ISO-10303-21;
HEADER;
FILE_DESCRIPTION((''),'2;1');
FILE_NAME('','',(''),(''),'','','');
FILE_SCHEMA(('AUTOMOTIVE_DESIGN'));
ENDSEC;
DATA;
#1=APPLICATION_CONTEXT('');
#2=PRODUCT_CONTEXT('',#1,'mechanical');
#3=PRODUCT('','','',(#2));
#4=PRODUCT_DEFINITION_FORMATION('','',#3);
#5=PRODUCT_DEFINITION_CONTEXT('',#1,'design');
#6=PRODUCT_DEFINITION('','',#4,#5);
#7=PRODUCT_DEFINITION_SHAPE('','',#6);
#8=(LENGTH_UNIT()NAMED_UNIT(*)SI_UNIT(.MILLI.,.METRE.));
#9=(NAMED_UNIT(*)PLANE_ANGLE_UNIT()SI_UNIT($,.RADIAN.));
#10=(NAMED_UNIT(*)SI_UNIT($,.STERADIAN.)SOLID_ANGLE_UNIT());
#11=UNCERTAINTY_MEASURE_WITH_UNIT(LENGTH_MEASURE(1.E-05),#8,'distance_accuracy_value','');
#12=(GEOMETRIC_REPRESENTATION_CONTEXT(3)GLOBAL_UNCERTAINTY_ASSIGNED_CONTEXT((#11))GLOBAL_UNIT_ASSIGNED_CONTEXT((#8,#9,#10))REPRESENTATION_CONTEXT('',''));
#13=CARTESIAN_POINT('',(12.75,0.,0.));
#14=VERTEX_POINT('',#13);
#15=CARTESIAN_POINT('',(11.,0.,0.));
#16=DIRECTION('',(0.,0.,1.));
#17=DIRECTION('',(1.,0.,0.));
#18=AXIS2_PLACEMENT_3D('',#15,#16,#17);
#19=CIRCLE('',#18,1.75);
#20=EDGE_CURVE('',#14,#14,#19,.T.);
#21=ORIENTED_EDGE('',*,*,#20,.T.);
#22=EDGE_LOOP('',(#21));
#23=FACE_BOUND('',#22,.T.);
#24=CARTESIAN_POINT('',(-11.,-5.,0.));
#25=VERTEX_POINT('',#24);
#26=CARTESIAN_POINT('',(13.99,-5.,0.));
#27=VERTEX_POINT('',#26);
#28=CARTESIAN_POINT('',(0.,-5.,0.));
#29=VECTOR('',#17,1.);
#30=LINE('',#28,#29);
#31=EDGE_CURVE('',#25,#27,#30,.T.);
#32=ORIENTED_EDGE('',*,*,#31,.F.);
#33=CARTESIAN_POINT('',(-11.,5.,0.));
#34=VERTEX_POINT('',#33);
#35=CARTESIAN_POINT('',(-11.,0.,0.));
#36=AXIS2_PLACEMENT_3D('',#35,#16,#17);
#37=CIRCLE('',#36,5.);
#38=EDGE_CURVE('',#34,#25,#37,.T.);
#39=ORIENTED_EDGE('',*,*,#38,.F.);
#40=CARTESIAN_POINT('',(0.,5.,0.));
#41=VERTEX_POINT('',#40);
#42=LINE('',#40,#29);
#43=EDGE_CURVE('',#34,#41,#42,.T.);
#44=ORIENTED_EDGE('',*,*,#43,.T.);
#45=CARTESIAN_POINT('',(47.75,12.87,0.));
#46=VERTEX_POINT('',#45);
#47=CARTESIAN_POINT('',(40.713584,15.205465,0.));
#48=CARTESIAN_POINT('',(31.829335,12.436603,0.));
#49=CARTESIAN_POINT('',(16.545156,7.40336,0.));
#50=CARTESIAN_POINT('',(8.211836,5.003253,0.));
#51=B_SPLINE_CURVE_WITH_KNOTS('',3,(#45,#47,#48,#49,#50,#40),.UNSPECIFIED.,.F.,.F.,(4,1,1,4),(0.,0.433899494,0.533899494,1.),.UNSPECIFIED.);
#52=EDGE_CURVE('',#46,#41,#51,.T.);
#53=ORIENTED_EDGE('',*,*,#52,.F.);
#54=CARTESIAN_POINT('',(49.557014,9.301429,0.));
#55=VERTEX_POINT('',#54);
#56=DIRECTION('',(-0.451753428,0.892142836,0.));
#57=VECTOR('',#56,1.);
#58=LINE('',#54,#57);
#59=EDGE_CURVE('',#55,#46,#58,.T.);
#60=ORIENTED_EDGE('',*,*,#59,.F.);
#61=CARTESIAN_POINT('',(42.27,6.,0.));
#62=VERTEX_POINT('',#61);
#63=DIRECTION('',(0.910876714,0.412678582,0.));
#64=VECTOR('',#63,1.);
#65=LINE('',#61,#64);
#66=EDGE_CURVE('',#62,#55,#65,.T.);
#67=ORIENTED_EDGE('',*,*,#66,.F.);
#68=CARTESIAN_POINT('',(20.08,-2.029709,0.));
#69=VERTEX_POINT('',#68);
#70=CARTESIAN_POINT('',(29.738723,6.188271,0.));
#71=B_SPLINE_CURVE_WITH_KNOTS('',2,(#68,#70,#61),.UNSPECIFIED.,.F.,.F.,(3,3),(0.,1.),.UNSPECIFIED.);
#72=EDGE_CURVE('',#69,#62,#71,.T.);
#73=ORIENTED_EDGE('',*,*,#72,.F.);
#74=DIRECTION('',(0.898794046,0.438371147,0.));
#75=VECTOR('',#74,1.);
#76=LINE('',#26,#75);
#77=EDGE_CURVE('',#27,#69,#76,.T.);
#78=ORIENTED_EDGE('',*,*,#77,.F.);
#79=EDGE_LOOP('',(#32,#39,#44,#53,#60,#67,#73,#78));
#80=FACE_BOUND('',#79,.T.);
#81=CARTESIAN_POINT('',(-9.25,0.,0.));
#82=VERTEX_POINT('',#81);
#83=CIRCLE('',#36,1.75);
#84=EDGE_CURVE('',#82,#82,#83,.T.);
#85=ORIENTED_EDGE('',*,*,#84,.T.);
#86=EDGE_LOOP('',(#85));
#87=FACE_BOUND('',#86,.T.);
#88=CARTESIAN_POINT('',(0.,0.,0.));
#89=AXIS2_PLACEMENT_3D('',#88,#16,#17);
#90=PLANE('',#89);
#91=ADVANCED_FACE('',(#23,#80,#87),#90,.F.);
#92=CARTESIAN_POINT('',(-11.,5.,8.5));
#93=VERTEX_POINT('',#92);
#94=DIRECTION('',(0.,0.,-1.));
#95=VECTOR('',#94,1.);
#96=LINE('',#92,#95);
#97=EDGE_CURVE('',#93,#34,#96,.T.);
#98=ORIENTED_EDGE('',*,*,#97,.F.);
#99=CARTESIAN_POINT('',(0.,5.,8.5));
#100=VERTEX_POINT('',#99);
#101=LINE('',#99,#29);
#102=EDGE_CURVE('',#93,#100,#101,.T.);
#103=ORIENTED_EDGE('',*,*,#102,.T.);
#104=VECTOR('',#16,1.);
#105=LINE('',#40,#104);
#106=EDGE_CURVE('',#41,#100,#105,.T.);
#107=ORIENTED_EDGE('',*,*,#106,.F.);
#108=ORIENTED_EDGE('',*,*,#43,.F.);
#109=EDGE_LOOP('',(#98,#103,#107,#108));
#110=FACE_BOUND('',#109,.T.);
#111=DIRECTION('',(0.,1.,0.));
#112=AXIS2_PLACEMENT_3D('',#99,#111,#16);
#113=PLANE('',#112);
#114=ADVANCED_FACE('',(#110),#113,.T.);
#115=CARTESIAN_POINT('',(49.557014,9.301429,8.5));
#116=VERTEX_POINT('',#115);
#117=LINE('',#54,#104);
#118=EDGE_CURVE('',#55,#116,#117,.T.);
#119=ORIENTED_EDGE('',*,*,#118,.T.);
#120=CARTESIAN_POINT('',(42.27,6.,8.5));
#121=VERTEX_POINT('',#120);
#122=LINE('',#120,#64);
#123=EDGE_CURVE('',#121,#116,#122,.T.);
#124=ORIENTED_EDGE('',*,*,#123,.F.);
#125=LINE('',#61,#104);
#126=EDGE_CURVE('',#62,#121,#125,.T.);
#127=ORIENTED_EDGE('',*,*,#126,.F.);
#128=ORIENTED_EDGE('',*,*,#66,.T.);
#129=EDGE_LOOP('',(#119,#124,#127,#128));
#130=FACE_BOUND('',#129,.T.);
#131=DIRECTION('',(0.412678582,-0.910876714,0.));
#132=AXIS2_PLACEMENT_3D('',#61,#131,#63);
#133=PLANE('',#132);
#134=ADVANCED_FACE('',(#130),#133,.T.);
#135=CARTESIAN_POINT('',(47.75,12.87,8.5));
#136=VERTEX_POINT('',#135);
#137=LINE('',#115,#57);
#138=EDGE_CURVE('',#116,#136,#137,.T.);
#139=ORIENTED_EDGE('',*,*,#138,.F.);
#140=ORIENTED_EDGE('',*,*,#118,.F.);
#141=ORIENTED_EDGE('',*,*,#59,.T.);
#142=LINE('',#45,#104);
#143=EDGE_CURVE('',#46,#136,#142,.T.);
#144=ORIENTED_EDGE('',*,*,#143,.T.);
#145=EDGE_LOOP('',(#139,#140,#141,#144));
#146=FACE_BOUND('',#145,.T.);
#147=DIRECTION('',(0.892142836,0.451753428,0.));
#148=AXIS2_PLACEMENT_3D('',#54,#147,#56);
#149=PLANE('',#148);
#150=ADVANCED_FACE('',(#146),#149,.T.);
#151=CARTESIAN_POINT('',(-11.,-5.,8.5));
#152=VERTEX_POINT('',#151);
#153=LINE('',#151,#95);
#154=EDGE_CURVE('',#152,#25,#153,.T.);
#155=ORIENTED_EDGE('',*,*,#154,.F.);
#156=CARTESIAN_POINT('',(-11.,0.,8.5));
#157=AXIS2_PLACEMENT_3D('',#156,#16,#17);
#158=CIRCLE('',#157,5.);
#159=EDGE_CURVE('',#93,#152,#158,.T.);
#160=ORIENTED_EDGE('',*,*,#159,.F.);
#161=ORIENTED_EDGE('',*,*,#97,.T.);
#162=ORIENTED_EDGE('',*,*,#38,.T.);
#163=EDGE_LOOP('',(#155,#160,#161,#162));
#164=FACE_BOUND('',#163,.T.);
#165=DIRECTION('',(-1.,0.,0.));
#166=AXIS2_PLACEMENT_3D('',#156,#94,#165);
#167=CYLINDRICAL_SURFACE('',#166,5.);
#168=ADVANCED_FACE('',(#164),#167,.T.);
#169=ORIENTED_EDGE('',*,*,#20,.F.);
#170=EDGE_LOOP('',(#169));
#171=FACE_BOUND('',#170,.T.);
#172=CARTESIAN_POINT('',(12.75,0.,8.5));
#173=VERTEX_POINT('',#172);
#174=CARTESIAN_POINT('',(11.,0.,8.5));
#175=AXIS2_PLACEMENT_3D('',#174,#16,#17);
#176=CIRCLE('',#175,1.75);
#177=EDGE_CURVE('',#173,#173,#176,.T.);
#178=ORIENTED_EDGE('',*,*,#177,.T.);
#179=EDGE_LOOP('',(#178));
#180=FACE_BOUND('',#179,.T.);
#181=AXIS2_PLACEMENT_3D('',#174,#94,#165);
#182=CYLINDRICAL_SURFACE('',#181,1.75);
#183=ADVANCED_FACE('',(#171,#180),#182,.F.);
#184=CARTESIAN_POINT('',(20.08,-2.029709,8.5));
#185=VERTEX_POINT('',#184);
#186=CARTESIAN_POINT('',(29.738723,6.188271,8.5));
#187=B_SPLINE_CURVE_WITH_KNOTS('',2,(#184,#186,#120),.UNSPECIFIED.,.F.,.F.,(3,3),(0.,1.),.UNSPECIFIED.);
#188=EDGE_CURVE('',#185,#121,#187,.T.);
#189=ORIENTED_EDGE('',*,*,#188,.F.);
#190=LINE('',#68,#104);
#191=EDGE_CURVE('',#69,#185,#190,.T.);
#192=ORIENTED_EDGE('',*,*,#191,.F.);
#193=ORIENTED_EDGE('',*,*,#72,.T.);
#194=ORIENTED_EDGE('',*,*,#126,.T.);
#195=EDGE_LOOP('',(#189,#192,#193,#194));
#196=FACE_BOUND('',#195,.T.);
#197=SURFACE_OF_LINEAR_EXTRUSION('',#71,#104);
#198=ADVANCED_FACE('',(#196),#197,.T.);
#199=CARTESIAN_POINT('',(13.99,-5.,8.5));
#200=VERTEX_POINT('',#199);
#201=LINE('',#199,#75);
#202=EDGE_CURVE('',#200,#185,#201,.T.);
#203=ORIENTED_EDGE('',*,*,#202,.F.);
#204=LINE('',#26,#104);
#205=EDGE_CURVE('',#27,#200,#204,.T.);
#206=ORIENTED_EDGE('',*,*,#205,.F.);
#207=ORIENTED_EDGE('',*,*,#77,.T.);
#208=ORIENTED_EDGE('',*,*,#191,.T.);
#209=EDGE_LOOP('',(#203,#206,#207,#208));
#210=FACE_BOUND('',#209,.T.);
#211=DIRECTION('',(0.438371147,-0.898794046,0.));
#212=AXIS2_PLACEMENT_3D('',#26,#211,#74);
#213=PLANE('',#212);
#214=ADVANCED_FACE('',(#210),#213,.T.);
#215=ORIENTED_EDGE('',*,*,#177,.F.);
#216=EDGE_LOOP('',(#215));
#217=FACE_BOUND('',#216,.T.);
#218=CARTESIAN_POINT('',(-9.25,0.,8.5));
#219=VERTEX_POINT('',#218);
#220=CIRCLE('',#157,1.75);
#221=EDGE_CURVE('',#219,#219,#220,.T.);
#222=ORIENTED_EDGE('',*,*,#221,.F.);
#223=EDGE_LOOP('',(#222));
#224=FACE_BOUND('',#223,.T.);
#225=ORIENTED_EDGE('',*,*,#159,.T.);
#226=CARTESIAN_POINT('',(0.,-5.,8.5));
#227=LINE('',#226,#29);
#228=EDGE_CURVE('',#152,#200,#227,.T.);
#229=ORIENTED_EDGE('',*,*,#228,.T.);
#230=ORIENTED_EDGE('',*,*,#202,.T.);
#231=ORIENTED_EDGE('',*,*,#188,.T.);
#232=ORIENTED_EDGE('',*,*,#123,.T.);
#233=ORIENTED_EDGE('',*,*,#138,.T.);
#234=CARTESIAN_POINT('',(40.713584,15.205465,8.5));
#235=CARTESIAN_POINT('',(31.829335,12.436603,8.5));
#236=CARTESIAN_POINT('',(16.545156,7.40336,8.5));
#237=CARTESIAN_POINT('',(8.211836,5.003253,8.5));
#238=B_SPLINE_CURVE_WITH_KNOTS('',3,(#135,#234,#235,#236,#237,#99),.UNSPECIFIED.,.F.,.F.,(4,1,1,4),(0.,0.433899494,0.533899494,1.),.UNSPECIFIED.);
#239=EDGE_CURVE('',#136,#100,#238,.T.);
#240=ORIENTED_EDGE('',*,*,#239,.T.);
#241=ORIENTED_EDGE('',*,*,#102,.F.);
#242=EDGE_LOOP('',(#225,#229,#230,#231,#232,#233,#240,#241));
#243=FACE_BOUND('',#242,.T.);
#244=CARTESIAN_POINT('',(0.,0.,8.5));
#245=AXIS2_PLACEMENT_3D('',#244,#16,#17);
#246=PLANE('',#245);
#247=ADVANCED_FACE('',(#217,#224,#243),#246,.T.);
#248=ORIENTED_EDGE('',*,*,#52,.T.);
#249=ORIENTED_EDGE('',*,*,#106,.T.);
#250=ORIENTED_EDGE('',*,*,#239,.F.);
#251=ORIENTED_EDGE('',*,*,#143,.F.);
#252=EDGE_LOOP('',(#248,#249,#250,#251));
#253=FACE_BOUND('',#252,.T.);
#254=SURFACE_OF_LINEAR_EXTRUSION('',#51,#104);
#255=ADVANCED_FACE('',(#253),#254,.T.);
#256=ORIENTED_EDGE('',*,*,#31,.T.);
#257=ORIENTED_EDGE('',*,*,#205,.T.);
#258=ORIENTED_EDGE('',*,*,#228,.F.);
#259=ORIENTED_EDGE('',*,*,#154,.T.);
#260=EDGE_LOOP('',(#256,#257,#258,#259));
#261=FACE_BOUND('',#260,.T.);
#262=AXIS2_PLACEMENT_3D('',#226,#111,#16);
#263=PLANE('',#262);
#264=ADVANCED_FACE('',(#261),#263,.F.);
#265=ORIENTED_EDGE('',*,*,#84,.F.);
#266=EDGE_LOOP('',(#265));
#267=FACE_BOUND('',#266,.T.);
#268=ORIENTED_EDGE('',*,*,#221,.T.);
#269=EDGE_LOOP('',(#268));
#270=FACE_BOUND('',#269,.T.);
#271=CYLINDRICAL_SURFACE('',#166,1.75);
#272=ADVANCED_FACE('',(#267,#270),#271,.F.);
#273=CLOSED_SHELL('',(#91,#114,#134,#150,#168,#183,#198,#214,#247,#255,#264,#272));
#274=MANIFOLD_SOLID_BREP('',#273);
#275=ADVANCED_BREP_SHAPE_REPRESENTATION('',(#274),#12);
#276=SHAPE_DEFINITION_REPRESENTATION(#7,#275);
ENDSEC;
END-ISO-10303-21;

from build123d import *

# Parameters (mm, degrees)
SKETCH1_R           = 5
SKETCH1_R_2         = 1.75
BOSS_EXTRUDE1_DEPTH = 8.5
BOSS_EXTRUDE2_START = -8.5
BOSS_EXTRUDE2_DEPTH = 8.5


with BuildPart() as part:
    # Sketch1 → Boss-Extrude1 (new body)
    # profile 1 of 3: a face of its own
    with BuildSketch(Plane.XY):
        with Locations((-11, 0)):
            Circle(SKETCH1_R)
        with Locations((-11, 0)):
            Circle(SKETCH1_R_2, mode=Mode.SUBTRACT)
    # profile 2 of 3: a face of its own
    with BuildSketch(Plane.XY):
        with BuildLine():
            Line((11, 5), (-11, 5))
            ThreePointArc((-11, 5), (-7.464466094, 3.535533906), (-6, 0))
            ThreePointArc((-6, 0), (-7.464466094, -3.535533906), (-11, -5))
            Line((-11, -5), (11, -5))
            ThreePointArc((11, -5), (6, 0), (11, 5))
        make_face()
    # profile 3 of 3: a face of its own
    with BuildSketch(Plane.XY):
        with Locations((11, 0)):
            Circle(SKETCH1_R)
        with Locations((11, 0)):
            Circle(SKETCH1_R_2, mode=Mode.SUBTRACT)
    extrude(amount=BOSS_EXTRUDE1_DEPTH)

    # Sketch2 → Boss-Extrude2 (add)
    with BuildSketch(Plane.XY.offset(8.5).offset(BOSS_EXTRUDE2_START)):
        with BuildLine():
            Line((0, 5), (11, 5))
            ThreePointArc((11, 5), (16, 0), (11, -5))
            Line((11, -5), (13.99, -5))
            Line((13.99, -5), (20.08, -2.029708536))
            add(Edge.make_bspline(
                [(20.08, -2.029708536), (29.738723452, 6.188270814), (42.27, 6)],
                knots=[0, 0, 0, 1, 1, 1], degree=2))
            Line((42.27, 6), (49.557013712, 9.301428655))
            Line((49.557013712, 9.301428655), (47.75, 12.87))
            add(Edge.make_bspline(
                [(0, 5), (8.211836031, 5.003252827), (16.545155604, 7.403359581), (31.829335326, 12.436602795), (40.713583566, 15.205464732), (47.75, 12.87)],
                knots=[0, 0, 0, 0, 0.466100506, 0.566100506, 1, 1, 1, 1], degree=3))
        make_face()
    extrude(amount=BOSS_EXTRUDE2_DEPTH)


solid = part.part
